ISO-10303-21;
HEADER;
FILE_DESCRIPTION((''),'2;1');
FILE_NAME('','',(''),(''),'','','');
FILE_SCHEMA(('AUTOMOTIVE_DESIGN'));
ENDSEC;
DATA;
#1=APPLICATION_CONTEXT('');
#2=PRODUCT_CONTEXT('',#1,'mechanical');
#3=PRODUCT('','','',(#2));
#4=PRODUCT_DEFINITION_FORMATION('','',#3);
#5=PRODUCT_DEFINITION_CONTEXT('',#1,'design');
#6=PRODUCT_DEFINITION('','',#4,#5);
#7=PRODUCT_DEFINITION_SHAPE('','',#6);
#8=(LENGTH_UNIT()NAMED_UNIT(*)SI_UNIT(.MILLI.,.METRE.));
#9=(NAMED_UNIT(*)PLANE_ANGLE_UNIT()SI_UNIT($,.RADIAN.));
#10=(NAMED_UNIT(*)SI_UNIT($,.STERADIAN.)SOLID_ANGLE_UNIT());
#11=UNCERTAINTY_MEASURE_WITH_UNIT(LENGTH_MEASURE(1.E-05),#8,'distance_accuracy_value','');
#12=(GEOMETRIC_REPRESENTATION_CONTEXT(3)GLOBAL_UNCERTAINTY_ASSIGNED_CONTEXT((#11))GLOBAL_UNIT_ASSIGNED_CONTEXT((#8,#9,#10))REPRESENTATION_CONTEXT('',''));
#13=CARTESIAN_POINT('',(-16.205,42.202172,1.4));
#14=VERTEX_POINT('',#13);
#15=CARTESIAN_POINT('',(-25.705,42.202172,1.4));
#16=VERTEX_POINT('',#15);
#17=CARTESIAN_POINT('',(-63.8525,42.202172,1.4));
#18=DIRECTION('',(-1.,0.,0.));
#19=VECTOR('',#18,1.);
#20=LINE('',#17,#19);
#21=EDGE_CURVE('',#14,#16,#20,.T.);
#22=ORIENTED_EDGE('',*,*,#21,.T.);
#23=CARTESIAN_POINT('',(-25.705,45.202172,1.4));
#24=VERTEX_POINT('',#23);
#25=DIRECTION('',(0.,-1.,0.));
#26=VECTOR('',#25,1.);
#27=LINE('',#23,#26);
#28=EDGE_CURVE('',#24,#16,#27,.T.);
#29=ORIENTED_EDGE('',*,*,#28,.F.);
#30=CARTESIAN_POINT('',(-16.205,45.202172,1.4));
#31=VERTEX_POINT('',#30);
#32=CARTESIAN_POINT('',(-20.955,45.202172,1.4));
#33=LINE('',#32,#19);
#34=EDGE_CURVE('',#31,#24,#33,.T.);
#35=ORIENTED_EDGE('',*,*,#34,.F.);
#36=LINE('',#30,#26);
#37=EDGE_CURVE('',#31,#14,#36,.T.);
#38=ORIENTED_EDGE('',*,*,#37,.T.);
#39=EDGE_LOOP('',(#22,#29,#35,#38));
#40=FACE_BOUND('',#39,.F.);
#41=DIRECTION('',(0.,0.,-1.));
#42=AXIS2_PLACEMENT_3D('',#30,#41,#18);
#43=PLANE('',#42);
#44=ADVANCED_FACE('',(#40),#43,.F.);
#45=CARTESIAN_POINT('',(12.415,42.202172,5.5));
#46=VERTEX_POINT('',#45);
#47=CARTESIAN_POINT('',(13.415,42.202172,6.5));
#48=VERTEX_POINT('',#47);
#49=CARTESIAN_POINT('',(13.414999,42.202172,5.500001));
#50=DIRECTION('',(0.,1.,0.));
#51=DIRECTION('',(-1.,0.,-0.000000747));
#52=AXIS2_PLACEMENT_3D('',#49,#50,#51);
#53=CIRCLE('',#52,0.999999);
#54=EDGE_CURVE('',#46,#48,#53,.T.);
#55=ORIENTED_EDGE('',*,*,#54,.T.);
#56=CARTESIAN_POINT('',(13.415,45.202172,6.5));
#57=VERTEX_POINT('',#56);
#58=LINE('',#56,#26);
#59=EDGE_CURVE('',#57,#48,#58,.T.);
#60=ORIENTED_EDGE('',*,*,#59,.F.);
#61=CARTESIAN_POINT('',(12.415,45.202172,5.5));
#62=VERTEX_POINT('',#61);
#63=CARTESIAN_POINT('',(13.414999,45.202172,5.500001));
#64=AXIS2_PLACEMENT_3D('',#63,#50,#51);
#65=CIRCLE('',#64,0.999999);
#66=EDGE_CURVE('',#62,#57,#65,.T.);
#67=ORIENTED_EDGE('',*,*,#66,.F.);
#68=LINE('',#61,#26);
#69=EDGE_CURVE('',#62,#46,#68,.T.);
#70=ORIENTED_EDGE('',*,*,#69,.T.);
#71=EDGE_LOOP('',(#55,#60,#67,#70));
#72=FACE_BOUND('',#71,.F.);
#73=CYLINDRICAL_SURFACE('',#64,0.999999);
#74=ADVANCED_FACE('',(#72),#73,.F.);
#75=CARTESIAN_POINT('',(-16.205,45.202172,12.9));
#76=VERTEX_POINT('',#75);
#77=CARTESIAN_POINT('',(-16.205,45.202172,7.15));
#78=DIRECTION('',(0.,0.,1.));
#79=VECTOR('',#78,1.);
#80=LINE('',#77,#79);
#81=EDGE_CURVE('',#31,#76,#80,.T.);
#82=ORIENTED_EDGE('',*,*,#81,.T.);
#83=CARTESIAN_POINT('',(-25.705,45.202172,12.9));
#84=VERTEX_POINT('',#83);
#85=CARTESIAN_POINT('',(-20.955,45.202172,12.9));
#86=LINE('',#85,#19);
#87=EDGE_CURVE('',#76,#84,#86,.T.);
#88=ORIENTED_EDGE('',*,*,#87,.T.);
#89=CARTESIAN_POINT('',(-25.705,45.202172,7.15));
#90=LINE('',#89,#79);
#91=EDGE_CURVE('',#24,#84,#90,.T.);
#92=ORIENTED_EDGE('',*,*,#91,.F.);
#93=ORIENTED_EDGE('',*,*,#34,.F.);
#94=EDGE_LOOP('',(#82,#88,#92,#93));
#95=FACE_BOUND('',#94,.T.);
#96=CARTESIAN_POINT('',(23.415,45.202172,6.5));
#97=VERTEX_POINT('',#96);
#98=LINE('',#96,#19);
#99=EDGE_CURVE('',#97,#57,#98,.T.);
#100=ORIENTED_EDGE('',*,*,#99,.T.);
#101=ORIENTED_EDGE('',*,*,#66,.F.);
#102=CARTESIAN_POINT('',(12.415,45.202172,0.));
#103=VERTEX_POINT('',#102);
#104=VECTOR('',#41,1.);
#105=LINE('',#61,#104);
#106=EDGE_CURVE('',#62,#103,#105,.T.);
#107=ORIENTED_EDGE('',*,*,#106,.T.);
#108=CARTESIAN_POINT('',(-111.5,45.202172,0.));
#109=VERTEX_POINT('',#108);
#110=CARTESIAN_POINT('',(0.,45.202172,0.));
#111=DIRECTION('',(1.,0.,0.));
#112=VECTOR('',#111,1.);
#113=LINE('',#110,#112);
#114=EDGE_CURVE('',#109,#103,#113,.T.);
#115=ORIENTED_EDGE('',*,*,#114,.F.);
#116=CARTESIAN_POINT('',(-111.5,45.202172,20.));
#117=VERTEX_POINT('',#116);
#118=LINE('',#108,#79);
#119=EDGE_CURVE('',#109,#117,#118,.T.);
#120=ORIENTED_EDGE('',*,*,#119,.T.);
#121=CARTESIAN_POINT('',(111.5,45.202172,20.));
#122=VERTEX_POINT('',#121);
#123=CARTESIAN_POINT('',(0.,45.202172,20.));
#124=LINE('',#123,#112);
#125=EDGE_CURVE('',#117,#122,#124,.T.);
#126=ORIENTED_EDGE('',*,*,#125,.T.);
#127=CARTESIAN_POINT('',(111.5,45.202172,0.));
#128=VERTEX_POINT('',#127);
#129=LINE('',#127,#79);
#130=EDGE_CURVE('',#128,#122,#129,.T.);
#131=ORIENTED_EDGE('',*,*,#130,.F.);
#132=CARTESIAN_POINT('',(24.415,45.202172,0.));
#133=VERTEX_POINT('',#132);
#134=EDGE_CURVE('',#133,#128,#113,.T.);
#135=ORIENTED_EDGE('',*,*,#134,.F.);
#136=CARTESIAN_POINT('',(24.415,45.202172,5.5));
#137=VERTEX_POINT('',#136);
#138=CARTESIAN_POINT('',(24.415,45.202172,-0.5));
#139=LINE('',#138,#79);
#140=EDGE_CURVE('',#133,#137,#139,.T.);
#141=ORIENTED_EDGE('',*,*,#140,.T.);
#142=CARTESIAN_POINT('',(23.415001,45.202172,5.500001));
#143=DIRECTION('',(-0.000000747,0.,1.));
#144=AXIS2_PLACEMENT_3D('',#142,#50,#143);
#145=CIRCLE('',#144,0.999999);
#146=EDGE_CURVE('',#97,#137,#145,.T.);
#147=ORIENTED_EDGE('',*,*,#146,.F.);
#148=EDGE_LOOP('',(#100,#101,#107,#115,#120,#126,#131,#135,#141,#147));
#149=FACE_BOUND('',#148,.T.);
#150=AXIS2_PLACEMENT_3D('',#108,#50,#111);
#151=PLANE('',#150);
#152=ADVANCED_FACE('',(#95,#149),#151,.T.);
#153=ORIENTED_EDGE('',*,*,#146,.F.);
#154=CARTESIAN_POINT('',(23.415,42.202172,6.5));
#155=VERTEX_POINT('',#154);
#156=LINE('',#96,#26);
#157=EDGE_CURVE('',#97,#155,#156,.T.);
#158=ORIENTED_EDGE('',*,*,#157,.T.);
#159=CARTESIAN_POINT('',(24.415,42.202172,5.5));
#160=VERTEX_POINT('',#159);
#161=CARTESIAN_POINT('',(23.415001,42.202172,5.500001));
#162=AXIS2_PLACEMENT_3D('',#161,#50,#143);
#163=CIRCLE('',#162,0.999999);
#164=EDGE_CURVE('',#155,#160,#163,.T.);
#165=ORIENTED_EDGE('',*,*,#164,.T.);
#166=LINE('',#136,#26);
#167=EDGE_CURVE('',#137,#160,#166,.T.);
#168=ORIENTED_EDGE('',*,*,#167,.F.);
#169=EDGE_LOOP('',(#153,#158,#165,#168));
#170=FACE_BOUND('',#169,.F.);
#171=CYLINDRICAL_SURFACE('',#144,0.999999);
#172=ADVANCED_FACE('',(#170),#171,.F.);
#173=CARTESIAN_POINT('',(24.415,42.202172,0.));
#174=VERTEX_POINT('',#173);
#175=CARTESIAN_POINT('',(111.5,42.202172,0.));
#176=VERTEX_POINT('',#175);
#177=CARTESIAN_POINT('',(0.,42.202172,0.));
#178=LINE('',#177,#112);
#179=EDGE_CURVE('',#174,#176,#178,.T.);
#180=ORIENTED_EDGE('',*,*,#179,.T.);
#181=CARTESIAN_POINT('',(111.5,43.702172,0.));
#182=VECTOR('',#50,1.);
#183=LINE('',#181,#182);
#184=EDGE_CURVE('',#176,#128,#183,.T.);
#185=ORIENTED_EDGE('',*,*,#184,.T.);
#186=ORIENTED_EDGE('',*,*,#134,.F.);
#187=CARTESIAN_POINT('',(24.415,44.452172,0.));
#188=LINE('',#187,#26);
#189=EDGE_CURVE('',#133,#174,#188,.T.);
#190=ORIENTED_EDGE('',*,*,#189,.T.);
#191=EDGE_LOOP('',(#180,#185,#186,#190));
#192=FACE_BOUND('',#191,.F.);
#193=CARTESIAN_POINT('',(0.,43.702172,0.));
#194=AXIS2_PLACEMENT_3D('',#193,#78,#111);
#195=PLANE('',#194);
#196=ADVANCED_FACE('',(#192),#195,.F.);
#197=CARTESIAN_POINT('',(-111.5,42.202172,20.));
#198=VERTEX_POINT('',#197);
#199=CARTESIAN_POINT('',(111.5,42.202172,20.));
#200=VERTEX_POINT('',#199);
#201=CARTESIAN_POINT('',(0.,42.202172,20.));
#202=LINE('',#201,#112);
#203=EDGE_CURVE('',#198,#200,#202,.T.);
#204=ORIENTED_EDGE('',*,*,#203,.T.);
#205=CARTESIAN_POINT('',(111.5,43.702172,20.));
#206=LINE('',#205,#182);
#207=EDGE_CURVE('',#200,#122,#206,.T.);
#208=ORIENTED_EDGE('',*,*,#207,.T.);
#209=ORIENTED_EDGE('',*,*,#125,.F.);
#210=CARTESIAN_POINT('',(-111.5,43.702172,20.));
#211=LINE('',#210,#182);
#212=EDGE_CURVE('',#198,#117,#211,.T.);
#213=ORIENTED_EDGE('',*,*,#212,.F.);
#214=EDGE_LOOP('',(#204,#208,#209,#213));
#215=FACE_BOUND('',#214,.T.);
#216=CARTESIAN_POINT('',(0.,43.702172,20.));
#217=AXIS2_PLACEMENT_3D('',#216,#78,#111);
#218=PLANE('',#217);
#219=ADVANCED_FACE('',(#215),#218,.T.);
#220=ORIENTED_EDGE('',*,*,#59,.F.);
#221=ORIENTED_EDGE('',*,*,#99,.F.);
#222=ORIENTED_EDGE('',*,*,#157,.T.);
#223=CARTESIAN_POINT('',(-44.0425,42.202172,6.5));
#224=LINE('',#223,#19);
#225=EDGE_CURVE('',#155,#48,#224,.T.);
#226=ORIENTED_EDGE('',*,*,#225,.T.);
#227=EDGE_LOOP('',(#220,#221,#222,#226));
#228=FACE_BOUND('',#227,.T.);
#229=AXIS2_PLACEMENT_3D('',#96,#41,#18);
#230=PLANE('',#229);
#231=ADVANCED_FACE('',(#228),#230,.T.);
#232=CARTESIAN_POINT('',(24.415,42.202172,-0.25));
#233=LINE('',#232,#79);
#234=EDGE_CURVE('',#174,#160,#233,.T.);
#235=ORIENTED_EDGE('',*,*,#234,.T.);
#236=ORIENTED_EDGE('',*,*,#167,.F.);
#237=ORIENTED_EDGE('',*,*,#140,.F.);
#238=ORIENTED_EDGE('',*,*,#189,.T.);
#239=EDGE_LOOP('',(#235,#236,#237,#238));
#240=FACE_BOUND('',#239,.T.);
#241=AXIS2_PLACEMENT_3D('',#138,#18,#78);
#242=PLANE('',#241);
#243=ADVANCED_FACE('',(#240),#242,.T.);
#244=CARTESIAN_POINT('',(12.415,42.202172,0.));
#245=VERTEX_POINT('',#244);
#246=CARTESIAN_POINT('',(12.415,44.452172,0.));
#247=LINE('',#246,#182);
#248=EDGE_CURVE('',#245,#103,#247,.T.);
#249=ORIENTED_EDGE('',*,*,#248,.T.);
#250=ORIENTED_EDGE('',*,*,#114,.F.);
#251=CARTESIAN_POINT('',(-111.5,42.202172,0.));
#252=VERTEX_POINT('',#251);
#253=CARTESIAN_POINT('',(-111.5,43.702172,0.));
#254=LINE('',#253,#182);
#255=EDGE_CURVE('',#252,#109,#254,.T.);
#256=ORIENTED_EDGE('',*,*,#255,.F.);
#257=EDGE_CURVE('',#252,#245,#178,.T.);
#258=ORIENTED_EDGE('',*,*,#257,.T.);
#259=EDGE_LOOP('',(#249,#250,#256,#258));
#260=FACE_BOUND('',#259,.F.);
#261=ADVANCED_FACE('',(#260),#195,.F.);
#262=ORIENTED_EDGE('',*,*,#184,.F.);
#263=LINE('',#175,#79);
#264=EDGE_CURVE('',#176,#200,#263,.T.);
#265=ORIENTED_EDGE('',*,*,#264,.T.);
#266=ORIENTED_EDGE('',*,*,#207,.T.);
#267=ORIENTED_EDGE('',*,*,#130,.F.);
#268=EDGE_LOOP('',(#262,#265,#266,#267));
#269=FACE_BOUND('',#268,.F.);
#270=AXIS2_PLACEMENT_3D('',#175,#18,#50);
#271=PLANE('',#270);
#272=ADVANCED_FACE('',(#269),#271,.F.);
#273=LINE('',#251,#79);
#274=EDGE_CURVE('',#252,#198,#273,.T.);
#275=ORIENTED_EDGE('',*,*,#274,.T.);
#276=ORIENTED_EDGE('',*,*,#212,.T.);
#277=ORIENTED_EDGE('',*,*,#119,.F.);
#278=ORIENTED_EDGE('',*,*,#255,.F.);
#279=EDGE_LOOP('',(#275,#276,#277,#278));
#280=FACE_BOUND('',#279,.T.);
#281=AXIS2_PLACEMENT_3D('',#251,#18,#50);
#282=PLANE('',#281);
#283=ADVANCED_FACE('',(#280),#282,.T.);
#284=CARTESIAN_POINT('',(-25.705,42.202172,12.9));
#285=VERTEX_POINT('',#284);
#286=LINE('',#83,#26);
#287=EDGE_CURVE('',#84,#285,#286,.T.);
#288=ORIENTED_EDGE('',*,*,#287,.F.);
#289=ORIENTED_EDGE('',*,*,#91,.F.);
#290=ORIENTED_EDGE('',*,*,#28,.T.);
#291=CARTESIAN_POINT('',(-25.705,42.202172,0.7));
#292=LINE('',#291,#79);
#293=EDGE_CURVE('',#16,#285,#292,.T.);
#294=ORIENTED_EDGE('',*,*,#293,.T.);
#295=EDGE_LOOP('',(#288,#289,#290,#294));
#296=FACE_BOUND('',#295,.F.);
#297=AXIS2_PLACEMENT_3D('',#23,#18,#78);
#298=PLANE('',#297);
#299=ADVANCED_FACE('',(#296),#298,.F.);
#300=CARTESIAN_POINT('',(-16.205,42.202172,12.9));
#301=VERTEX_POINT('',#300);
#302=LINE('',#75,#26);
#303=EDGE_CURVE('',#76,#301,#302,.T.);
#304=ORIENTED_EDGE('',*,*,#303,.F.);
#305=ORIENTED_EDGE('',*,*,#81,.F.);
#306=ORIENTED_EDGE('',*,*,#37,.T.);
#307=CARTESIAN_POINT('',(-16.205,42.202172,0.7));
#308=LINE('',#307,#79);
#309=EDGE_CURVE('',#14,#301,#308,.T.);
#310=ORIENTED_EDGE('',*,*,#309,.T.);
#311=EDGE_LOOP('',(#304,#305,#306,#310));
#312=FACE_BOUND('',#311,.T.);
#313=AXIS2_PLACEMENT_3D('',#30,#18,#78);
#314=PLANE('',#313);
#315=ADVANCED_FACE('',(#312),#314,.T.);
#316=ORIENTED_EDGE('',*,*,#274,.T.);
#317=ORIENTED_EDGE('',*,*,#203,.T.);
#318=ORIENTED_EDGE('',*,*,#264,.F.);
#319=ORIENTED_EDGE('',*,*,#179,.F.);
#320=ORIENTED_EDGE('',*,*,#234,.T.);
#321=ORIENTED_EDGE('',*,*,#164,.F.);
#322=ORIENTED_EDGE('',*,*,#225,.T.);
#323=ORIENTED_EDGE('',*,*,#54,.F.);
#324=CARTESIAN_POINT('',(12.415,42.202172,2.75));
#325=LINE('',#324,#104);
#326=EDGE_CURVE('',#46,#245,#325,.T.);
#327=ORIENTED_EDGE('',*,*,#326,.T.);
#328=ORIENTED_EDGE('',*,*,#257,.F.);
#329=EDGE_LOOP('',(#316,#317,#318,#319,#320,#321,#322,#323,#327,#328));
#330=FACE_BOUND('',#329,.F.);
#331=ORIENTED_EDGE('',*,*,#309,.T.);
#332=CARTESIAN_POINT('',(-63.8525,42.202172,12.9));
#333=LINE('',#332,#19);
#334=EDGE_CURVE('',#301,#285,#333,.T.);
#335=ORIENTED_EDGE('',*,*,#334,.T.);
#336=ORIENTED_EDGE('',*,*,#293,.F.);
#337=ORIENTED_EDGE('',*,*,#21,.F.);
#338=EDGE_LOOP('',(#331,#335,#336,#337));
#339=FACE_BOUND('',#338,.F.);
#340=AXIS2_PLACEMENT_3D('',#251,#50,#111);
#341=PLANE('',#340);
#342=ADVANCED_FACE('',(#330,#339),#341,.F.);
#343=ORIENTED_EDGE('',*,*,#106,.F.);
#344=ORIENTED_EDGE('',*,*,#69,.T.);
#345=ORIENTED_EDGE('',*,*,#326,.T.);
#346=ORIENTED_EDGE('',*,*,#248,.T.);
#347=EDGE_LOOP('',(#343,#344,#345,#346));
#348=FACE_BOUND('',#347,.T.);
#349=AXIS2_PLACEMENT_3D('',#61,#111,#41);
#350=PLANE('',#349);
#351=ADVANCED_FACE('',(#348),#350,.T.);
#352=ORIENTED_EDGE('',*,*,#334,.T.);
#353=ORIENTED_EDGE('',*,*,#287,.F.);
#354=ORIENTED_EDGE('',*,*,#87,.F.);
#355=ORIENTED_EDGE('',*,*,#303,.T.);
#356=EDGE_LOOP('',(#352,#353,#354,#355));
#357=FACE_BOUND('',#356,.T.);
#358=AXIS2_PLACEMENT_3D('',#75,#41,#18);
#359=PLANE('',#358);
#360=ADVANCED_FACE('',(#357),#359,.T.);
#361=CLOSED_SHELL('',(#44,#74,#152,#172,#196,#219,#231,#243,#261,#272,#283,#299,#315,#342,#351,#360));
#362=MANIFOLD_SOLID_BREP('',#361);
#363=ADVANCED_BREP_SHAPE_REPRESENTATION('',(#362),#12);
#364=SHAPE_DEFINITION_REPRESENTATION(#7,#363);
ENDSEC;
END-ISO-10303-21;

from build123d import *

# Parameters (mm, degrees)
SKETCH021_W     = 223
SKETCH021_H     = 3
PAD022_DEPTH    = 20
SKETCH022_W     = 9.5
SKETCH022_H     = 11.5
POCKET_DEPTH    = 3.001
POCKET001_DEPTH = 3.001


with BuildPart() as part:
    # Sketch021 → Pad022 (new body)
    with BuildSketch(Plane.XY):
        with Locations((0, -44.689828)):
            Rectangle(SKETCH021_W, SKETCH021_H)
    extrude(amount=PAD022_DEPTH)

    # Sketch022 (on Face3 of Pad022) → Pocket (cut, through all)
    with BuildSketch(Plane(origin=(0, -43.189828, 0), x_dir=(-1, 0, 0), z_dir=(0, 1, 0))):
        with Locations((20.955, 7.15)):
            Rectangle(SKETCH022_W, SKETCH022_H)
    extrude(amount=-POCKET_DEPTH, mode=Mode.SUBTRACT)

    # Sketch023 (on Face10 of Pocket) → Pocket001 (cut, through all)
    with BuildSketch(Plane(origin=(0, -43.189828, 0), x_dir=(-1, 0, 0), z_dir=(0, 1, 0))):
        with BuildLine():
            Line((-23.415, 6.5), (-13.415, 6.5))
            ThreePointArc((-12.415, 5.5), (-12.707893, 6.207107), (-13.415, 6.5))
            Line((-12.415, 5.5), (-12.415, -0.5))
            ThreePointArc((-13.415, -1.5), (-12.707893, -1.207107), (-12.415, -0.5))
            Line((-13.415, -1.5), (-23.415, -1.5))
            ThreePointArc((-24.415, -0.5), (-24.122107, -1.207107), (-23.415, -1.5))
            Line((-24.415, -0.5), (-24.415, 5.5))
            ThreePointArc((-23.415, 6.5), (-24.122107, 6.207107), (-24.415, 5.5))
        make_face()
    extrude(amount=-POCKET001_DEPTH, mode=Mode.SUBTRACT)


with BuildPart() as part_1:
    # Body013 placement: moved
    add(part.part.moved(Location((0, 88.392, 0))))


solid = part_1.part
